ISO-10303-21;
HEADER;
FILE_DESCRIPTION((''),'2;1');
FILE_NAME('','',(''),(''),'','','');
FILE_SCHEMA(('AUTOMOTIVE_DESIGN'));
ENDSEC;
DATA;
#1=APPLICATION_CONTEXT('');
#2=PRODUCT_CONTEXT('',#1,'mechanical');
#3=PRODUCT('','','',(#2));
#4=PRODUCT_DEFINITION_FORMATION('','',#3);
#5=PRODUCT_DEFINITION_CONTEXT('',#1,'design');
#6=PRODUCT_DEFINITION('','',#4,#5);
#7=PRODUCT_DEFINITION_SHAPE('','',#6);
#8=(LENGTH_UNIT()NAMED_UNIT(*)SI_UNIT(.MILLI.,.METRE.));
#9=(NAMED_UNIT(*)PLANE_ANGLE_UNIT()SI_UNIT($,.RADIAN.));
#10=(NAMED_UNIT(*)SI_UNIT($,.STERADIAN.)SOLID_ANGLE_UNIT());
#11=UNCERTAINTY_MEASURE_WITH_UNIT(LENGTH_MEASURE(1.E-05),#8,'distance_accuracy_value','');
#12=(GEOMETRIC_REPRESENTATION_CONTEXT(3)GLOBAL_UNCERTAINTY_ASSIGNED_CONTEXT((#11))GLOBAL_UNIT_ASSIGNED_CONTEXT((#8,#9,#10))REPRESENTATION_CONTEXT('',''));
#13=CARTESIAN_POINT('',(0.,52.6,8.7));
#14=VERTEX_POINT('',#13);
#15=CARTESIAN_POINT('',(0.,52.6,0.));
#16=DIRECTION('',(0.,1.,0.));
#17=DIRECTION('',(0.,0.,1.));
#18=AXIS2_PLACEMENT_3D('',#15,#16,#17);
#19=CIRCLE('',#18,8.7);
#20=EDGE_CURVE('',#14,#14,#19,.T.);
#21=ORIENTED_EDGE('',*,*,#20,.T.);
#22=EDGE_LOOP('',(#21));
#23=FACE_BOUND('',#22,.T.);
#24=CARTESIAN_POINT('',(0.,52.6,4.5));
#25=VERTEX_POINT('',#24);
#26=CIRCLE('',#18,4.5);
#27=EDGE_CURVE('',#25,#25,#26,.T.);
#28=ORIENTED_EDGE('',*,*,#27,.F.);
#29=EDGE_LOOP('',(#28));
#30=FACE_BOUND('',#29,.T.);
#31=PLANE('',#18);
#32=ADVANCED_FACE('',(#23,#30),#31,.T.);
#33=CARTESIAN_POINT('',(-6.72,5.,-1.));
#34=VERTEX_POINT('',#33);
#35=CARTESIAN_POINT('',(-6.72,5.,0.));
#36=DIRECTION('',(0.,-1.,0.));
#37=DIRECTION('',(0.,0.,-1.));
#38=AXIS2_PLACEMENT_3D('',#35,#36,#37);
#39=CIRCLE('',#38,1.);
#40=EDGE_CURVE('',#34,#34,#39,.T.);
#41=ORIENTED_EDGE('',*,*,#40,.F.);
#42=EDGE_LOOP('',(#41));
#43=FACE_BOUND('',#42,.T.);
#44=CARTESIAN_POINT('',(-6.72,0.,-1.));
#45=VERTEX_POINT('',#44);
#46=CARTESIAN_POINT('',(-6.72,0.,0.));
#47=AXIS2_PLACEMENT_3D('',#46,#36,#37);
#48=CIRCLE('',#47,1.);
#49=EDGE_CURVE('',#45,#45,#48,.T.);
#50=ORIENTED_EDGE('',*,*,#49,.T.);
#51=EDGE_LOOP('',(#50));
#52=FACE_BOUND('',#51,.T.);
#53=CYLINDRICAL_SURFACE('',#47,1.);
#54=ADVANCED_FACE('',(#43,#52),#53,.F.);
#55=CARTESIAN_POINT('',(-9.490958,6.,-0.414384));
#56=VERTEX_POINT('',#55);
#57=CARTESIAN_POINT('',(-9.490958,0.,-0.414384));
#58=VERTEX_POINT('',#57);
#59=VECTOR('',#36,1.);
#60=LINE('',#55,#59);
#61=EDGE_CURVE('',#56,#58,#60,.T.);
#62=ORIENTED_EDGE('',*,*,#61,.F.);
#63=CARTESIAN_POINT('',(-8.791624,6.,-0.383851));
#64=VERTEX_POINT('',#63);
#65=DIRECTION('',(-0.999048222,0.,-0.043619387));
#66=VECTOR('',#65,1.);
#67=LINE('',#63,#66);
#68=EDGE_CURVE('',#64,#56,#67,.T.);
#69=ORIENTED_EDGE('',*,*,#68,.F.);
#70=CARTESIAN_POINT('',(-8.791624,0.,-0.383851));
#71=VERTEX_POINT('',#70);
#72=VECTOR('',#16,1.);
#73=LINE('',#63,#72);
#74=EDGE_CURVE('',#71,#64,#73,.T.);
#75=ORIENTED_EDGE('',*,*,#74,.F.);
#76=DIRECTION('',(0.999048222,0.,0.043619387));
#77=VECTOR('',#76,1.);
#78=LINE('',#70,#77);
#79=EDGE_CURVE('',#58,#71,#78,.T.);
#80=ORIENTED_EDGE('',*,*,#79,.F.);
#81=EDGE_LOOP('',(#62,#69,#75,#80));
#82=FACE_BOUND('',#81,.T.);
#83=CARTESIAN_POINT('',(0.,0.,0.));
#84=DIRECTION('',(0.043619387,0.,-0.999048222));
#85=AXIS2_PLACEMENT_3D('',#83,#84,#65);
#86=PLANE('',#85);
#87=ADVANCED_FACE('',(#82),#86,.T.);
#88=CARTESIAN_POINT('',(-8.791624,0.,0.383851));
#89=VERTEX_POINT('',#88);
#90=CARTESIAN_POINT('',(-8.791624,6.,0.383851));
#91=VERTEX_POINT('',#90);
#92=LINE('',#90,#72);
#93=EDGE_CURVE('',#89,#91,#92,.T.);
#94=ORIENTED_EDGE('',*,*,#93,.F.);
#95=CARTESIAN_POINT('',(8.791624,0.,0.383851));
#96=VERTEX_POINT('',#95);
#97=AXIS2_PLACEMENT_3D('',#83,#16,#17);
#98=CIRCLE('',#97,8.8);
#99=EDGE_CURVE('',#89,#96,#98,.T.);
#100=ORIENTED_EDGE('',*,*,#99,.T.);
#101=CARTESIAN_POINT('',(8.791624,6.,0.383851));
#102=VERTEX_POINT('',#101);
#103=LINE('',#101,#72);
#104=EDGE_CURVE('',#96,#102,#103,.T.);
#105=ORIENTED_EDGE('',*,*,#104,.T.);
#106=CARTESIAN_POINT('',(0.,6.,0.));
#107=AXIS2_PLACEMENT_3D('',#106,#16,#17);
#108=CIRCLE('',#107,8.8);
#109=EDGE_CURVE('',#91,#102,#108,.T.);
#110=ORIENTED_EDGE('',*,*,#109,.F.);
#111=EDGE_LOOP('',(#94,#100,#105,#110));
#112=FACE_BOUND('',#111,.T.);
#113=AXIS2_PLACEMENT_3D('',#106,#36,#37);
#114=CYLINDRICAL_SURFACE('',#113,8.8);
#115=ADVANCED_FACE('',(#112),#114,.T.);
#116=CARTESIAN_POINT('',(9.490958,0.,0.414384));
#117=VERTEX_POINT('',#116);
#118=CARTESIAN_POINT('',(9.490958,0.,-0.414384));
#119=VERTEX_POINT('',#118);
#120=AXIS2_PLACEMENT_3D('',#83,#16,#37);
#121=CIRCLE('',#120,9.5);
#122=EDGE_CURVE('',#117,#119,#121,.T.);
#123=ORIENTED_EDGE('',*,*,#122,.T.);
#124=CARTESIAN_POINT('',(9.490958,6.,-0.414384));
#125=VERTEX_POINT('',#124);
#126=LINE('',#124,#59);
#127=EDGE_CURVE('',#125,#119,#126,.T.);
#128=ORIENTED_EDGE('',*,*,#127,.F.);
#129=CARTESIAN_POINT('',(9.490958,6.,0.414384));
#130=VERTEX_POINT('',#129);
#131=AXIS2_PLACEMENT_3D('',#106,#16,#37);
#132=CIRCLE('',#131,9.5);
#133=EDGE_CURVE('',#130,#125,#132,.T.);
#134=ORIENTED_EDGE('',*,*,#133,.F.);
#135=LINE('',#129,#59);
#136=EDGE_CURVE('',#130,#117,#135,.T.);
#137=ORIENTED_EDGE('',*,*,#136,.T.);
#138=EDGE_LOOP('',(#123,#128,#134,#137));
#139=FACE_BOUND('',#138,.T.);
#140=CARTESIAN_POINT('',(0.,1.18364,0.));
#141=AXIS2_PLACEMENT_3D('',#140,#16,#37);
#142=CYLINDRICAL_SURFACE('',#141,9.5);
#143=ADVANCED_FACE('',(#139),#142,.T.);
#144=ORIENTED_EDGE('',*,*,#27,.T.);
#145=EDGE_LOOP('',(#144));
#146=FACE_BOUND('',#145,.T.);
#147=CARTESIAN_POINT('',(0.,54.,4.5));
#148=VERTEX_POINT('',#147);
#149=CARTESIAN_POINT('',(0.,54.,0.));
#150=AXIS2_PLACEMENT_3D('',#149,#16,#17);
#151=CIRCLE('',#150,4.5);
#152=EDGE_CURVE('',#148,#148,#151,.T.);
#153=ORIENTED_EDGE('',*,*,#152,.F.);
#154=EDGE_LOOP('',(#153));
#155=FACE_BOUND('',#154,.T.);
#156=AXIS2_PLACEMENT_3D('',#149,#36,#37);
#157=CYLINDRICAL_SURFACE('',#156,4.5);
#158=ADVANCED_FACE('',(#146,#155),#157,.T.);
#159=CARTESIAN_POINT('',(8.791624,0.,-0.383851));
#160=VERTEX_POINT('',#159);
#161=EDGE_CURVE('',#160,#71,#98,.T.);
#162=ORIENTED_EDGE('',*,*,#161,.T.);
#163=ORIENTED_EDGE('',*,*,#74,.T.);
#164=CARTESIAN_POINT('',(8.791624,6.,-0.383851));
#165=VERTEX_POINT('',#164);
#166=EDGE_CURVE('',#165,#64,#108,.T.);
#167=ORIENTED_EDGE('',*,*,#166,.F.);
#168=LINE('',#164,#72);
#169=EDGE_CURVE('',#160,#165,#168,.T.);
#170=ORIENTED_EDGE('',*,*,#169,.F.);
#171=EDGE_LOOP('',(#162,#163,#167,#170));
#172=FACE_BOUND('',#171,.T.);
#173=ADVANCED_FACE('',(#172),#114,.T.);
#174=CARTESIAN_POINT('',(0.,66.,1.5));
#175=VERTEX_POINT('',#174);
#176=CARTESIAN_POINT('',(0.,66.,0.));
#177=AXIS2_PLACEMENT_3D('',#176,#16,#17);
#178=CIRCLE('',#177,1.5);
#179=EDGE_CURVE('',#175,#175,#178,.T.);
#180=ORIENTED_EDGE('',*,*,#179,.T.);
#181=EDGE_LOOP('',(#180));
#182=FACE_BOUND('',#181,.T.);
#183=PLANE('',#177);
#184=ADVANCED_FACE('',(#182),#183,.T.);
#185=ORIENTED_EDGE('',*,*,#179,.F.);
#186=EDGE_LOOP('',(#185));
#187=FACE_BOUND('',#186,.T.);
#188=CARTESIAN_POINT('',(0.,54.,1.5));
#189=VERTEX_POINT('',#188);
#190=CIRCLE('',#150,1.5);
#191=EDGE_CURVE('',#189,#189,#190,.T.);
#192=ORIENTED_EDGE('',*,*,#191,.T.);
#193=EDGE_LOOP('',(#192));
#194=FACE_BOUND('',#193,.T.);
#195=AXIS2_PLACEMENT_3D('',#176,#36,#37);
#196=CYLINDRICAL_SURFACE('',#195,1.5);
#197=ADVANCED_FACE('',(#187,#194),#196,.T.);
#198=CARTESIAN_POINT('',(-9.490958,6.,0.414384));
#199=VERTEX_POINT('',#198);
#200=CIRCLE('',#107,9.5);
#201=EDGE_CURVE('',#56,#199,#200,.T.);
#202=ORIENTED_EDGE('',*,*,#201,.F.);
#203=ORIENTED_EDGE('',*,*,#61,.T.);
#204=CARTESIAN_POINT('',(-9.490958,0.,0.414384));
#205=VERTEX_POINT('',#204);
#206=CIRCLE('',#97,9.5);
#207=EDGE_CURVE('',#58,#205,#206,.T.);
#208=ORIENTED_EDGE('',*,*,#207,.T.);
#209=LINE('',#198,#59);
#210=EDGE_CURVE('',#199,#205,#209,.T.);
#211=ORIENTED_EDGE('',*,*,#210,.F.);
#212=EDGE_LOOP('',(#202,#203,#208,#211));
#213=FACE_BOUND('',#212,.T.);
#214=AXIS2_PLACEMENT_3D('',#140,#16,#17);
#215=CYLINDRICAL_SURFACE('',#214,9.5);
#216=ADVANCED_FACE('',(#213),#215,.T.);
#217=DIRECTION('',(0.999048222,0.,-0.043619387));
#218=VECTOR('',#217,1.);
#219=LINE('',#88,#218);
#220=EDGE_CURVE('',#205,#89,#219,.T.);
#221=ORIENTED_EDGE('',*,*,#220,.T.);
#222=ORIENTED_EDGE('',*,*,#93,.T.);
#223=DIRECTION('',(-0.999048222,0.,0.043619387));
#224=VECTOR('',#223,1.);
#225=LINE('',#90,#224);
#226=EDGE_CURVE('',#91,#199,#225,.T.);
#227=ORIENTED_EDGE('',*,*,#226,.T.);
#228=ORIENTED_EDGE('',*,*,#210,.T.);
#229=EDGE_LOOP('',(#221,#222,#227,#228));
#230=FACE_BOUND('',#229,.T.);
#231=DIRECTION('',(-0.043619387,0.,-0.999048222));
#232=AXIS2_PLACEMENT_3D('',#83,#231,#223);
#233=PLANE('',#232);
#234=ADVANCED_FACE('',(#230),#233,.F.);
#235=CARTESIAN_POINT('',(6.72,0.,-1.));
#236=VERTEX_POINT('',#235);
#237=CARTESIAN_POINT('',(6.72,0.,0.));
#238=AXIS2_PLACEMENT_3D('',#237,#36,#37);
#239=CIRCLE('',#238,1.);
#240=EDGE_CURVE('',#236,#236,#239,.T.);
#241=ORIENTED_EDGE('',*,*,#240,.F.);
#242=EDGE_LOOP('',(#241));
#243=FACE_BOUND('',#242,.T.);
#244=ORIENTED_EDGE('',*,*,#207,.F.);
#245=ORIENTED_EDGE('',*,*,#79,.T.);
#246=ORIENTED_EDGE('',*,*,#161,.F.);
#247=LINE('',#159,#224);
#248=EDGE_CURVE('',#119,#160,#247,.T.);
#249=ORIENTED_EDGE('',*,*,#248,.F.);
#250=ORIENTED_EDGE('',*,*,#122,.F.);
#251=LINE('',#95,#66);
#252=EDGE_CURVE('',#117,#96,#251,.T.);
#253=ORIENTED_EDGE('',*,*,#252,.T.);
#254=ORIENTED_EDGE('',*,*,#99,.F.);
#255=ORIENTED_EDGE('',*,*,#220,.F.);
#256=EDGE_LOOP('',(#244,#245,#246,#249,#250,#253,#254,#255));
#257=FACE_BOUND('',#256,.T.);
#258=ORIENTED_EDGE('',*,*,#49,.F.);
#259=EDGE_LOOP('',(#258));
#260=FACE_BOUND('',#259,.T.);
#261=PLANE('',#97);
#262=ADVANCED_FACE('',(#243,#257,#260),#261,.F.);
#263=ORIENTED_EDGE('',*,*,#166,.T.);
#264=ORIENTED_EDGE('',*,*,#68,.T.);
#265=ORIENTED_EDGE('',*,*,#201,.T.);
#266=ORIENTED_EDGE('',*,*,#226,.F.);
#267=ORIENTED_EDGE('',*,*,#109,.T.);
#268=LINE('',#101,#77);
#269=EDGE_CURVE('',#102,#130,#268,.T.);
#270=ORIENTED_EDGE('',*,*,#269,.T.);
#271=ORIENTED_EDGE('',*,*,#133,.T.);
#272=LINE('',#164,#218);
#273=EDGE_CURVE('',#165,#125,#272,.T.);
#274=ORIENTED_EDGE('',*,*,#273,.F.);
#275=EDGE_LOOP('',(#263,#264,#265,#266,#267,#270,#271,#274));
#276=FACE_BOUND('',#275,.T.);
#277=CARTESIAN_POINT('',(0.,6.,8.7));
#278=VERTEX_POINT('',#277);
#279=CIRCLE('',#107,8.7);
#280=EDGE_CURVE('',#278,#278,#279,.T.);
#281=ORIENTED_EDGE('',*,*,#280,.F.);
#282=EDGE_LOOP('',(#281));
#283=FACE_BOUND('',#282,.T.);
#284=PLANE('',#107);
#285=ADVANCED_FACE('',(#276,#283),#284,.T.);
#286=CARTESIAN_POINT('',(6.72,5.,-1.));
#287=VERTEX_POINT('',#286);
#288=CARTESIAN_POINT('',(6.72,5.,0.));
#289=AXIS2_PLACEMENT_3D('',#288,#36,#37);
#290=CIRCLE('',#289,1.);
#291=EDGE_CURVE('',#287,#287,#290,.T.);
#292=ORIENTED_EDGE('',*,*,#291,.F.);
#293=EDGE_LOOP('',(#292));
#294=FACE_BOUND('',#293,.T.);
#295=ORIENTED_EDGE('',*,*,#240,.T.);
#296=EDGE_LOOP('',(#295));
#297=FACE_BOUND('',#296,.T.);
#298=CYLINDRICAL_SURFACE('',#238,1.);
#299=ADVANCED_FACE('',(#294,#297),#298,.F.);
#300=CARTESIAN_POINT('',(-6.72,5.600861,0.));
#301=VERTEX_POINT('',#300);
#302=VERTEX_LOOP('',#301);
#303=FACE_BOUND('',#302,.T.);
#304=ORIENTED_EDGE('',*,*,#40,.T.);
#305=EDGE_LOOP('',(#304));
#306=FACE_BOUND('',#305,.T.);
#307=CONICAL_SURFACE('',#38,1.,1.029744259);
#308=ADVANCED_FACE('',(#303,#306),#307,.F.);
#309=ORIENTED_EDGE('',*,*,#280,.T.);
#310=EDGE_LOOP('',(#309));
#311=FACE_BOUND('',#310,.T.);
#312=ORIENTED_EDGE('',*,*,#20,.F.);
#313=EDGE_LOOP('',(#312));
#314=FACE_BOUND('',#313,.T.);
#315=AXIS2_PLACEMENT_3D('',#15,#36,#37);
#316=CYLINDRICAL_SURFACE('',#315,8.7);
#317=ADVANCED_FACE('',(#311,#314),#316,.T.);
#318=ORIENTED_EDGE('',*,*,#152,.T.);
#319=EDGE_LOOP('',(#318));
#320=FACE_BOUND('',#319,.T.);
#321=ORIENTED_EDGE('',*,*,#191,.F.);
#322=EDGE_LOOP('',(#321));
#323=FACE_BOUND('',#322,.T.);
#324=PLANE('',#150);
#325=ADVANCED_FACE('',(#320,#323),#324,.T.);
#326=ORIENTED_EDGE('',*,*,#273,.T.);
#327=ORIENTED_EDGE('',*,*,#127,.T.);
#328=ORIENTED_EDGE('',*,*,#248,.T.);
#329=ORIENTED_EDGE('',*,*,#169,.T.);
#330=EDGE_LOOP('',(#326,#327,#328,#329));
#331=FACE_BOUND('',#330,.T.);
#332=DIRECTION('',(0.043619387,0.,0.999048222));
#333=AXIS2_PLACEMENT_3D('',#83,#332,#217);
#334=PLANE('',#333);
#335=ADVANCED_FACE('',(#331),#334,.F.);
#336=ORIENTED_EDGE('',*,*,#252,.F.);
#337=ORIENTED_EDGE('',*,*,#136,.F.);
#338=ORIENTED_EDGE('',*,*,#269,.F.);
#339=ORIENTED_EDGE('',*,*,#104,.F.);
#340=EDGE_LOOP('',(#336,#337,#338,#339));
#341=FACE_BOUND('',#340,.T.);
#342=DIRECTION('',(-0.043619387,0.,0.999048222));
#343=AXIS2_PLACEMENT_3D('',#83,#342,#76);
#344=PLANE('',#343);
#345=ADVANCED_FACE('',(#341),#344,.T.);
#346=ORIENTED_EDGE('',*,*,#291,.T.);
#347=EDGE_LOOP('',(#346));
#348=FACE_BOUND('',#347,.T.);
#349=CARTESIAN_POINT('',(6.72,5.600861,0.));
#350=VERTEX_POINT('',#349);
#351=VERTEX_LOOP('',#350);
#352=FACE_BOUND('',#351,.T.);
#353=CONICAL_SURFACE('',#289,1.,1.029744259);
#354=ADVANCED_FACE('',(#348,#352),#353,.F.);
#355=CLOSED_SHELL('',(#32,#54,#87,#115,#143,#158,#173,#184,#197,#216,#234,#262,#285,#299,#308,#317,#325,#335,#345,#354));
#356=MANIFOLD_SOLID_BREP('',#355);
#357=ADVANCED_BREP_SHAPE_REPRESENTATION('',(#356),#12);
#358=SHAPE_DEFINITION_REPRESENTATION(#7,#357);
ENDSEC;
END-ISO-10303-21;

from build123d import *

# Parameters (mm, degrees)
SKETCH_1_R               = 8.8
EXTRUDE_1_DEPTH          = 6
SKETCH_6_W               = 0.7
SKETCH_6_H               = 6
REVOLVE_1_ANGLE          = 5
PATTERN_CIRCULAR_5_COUNT = 2
SKETCH_7_R               = 8.7
EXTRUDE_10_DEPTH         = 46.6
SKETCH_8_R               = 4.5
EXTRUDE_11_DEPTH         = 1.4
SKETCH_9_R               = 1.5
EXTRUDE_12_DEPTH         = 12
F_2_0MM_1_D              = 2
F_2_0MM_1_DEPTH          = 5
F_2_0MM_1_TIP            = 0.600860619
F_2_0MM_2_D              = 2
F_2_0MM_2_DEPTH          = 5
F_2_0MM_2_TIP            = 0.600860619


with BuildPart() as part:
    # 草图1 → 凸台-拉伸1 (new body)
    with BuildSketch(Plane(origin=(0, 0, 0), x_dir=(1, 0, 0), z_dir=(0, 1, 0))):
        with Locations(Location((0, 0, 0), (0, 0, 270))):
            Circle(SKETCH_1_R)
    extrude(amount=EXTRUDE_1_DEPTH)

    # 草图6 → 旋转1 (revolve, symmetric)
    with BuildSketch(Plane.XY) as revolve_1_sk:
        with Locations((-9.15, 3)):
            Rectangle(SKETCH_6_W, SKETCH_6_H)
    revolve_1 = revolve(axis=Axis((0, 1.183639986, 0), (0, -1, 0)), revolution_arc=REVOLVE_1_ANGLE / 2)
    revolve_1 = revolve_1 + revolve(revolve_1_sk.sketch, axis=Axis((0, 1.183639986, 0), (0, 1, 0)), revolution_arc=REVOLVE_1_ANGLE / 2)

    # 阵列(圆周)5: 旋转1 ×2 about axis
    pattern_circular_5_axis = Axis((0, 0, 0), (0, 1, 0))
    for i in range(1, PATTERN_CIRCULAR_5_COUNT):
        add(revolve_1.rotate(pattern_circular_5_axis, i * 360 / PATTERN_CIRCULAR_5_COUNT))

    # 草图7 → 凸台-拉伸10 (add)
    with BuildSketch(Plane(origin=(0, 6, 0), x_dir=(1, 0, 0), z_dir=(0, 1, 0))):
        with Locations(Location((0, 0, 0), (0, 0, 270))):
            Circle(SKETCH_7_R)
    extrude(amount=EXTRUDE_10_DEPTH)

    # 草图8 → 凸台-拉伸11 (add)
    with BuildSketch(Plane(origin=(0, 52.6, 0), x_dir=(1, 0, 0), z_dir=(0, 1, 0))):
        with Locations(Location((0, 0, 0), (0, 0, 270))):
            Circle(SKETCH_8_R)
    extrude(amount=EXTRUDE_11_DEPTH)

    # 草图9 → 凸台-拉伸12 (add)
    with BuildSketch(Plane(origin=(0, 54, 0), x_dir=(1, 0, 0), z_dir=(0, 1, 0))):
        with Locations(Location((0, 0, 0), (0, 0, 270))):
            Circle(SKETCH_9_R)
    extrude(amount=EXTRUDE_12_DEPTH)

    # Ø2.0mm 暗销孔1
    with Locations(Plane(origin=(-6.72, 0, 0), x_dir=(0, 0, -1), z_dir=(0, -1, 0))):
        with Locations((0, 0)):
            Hole(F_2_0MM_1_D / 2, depth=F_2_0MM_1_DEPTH)
            with Locations((0, 0, -(F_2_0MM_1_DEPTH + F_2_0MM_1_TIP / 2))):  # 118° drill point
                Cone(0, F_2_0MM_1_D / 2, F_2_0MM_1_TIP, mode=Mode.SUBTRACT)

    # Ø2.0mm 暗销孔2
    with Locations(Plane(origin=(6.72, 0, 0), x_dir=(0, 0, -1), z_dir=(0, -1, 0))):
        with Locations((0, 0)):
            Hole(F_2_0MM_2_D / 2, depth=F_2_0MM_2_DEPTH)
            with Locations((0, 0, -(F_2_0MM_2_DEPTH + F_2_0MM_2_TIP / 2))):  # 118° drill point
                Cone(0, F_2_0MM_2_D / 2, F_2_0MM_2_TIP, mode=Mode.SUBTRACT)


solid = part.part
